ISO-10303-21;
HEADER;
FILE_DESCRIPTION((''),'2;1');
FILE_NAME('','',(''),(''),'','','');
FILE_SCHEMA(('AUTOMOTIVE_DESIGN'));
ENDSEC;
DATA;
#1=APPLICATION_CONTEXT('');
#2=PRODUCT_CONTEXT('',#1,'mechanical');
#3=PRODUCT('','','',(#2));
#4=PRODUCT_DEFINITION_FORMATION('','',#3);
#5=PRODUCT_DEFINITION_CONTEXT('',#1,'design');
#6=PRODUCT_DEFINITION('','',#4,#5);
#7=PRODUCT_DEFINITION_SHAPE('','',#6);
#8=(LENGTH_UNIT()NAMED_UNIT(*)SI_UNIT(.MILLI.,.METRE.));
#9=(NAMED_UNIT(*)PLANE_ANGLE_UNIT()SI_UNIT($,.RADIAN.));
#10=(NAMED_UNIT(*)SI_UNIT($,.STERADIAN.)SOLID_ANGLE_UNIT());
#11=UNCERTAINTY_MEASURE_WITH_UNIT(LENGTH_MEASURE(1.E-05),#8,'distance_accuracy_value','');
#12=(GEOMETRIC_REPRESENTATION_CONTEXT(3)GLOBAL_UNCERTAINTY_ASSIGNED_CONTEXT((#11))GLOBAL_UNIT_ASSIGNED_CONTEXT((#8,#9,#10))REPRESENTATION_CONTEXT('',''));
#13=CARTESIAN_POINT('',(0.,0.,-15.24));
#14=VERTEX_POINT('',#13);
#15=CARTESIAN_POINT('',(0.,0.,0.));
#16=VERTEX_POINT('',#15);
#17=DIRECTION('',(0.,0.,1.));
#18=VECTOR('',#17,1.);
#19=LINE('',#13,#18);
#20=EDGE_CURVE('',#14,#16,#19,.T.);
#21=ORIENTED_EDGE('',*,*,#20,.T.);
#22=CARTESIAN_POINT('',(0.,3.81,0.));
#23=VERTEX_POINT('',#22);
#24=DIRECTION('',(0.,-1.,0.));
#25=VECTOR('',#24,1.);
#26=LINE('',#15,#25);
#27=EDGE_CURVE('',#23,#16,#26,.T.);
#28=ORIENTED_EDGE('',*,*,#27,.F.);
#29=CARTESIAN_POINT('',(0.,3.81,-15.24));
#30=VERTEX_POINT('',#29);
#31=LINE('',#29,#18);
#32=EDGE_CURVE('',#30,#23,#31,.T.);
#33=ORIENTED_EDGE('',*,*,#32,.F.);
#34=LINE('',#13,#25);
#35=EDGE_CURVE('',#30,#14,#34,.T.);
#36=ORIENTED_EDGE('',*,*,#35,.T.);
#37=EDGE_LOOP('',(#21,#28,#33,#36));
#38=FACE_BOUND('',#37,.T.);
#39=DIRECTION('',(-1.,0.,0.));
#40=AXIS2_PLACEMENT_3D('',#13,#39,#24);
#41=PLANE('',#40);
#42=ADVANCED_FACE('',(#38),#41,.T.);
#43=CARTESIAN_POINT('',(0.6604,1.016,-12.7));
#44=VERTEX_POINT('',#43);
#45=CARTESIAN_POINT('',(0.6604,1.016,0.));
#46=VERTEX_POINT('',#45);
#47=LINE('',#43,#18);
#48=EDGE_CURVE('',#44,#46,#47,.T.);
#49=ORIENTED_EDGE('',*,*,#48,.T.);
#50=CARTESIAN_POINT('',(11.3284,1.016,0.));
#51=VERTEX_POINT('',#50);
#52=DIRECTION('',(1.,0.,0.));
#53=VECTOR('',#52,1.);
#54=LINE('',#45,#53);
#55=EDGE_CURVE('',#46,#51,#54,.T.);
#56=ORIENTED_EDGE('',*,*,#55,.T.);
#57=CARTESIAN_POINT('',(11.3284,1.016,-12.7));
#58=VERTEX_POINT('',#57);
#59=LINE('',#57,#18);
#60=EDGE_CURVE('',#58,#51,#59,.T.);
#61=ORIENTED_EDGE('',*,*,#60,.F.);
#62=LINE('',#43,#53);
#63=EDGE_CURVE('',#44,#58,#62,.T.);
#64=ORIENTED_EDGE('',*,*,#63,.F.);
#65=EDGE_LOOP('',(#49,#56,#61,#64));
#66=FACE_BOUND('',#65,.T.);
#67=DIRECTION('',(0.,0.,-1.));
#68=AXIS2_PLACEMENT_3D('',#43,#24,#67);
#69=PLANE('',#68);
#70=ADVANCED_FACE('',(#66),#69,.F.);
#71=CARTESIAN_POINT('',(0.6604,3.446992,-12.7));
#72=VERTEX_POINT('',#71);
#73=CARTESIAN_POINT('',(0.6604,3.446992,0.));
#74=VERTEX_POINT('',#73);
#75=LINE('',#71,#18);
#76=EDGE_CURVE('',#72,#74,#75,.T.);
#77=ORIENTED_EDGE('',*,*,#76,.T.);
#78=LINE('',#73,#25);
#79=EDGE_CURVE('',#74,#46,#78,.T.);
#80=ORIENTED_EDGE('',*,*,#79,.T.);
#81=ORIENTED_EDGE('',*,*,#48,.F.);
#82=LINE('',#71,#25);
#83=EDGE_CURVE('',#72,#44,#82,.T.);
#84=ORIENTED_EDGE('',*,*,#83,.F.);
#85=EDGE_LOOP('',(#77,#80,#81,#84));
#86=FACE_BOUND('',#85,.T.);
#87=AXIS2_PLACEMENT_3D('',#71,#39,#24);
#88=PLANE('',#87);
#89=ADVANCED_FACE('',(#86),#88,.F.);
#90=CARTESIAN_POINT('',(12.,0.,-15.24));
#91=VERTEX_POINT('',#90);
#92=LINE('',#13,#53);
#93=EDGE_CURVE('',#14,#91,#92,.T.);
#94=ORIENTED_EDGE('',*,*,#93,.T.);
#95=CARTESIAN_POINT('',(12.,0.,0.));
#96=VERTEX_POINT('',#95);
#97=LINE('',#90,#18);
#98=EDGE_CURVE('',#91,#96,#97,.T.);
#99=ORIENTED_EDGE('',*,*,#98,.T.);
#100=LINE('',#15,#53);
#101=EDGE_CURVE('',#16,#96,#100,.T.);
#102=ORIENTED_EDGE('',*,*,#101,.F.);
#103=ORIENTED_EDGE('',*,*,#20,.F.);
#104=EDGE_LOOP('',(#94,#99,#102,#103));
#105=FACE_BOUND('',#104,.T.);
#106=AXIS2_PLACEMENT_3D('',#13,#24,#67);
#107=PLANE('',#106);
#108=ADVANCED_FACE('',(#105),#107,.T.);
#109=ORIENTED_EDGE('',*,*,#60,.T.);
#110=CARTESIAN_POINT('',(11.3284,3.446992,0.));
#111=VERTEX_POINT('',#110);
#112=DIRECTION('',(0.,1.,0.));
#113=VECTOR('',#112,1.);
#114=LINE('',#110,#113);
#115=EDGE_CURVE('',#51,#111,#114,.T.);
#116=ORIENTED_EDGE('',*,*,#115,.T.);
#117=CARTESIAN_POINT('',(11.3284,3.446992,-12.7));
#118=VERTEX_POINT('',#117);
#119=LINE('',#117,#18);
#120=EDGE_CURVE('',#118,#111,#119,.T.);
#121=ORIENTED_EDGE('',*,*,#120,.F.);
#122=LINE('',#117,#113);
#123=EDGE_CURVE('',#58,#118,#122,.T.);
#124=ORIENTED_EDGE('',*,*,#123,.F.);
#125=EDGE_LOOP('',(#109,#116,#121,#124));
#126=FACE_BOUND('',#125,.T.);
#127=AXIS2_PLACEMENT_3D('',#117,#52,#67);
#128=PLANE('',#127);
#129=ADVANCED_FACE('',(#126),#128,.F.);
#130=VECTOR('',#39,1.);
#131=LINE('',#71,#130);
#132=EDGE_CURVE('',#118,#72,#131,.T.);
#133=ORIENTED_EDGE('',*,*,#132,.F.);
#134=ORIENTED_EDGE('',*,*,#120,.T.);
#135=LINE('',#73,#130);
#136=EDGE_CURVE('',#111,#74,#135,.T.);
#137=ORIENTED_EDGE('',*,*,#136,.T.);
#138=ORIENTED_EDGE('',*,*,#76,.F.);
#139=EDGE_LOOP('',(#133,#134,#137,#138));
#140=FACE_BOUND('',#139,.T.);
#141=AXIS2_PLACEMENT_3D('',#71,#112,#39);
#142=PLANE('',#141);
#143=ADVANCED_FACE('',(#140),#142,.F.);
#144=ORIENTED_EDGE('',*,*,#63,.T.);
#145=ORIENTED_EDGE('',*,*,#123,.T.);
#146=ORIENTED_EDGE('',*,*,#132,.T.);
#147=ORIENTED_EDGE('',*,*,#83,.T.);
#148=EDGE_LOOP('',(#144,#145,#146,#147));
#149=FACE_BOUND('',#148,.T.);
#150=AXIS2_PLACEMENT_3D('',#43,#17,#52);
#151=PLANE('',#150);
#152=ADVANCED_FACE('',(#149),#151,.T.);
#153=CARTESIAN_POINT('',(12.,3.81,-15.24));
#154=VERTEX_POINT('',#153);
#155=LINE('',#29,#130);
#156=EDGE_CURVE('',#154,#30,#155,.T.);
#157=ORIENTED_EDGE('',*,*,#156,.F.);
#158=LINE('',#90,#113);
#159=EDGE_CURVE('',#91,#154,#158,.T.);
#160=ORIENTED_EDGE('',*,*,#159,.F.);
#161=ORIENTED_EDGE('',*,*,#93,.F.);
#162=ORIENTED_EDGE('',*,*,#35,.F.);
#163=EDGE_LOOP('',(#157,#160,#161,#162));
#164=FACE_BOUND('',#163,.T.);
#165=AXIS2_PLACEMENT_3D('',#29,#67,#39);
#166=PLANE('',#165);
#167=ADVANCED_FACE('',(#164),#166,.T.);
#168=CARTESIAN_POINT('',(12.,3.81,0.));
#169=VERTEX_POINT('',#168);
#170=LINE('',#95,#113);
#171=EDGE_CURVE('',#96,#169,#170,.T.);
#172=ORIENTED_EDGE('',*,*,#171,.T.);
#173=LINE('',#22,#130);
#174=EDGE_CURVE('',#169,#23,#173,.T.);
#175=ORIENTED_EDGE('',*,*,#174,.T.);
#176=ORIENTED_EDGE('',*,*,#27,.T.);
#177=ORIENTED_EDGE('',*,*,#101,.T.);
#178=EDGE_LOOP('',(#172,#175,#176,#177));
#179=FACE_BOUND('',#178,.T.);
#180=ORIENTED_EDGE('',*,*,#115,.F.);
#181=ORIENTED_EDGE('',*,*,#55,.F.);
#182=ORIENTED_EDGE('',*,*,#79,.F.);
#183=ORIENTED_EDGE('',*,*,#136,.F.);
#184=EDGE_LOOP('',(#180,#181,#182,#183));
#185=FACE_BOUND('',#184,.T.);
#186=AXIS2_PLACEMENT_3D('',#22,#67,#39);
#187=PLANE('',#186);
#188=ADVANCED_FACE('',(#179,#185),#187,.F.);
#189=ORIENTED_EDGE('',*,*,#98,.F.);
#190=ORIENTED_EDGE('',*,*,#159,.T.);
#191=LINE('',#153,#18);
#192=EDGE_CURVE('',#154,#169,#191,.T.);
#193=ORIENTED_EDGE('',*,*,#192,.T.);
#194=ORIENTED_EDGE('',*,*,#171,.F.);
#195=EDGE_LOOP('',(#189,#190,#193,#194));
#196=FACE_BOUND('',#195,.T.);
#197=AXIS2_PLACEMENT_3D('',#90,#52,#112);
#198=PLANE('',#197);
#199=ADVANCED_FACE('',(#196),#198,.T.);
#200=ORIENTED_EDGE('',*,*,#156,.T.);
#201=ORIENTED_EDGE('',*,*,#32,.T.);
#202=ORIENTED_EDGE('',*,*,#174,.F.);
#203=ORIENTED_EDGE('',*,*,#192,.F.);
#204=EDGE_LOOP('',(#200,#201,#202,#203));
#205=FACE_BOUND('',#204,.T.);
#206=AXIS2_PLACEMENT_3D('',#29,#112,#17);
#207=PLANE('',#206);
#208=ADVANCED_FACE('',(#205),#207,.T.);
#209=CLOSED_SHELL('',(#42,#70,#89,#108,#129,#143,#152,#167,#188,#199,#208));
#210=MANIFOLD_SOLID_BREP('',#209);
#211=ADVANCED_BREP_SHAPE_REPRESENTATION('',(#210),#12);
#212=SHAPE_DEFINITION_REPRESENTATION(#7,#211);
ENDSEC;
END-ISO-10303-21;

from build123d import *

# Parameters (mm, degrees)
SKETCH1_W           = 12
SKETCH1_H           = 3.81
BOSS_EXTRUDE1_DEPTH = 15.24
SKETCH2_W           = 10.668
SKETCH2_H           = 2.430992268
CUT_EXTRUDE1_DEPTH  = 12.7


with BuildPart() as part:
    # Sketch1 → Boss-Extrude1 (new body)
    with BuildSketch(Plane.XY):
        with Locations((6, 1.905)):
            Rectangle(SKETCH1_W, SKETCH1_H)
    extrude(amount=-BOSS_EXTRUDE1_DEPTH)

    # Sketch2 → Cut-Extrude1 (cut)
    with BuildSketch(Plane.XY):
        with Locations((5.9944, 2.231496134)):
            Rectangle(SKETCH2_W, SKETCH2_H)
    extrude(amount=-CUT_EXTRUDE1_DEPTH, mode=Mode.SUBTRACT)


solid = part.part
